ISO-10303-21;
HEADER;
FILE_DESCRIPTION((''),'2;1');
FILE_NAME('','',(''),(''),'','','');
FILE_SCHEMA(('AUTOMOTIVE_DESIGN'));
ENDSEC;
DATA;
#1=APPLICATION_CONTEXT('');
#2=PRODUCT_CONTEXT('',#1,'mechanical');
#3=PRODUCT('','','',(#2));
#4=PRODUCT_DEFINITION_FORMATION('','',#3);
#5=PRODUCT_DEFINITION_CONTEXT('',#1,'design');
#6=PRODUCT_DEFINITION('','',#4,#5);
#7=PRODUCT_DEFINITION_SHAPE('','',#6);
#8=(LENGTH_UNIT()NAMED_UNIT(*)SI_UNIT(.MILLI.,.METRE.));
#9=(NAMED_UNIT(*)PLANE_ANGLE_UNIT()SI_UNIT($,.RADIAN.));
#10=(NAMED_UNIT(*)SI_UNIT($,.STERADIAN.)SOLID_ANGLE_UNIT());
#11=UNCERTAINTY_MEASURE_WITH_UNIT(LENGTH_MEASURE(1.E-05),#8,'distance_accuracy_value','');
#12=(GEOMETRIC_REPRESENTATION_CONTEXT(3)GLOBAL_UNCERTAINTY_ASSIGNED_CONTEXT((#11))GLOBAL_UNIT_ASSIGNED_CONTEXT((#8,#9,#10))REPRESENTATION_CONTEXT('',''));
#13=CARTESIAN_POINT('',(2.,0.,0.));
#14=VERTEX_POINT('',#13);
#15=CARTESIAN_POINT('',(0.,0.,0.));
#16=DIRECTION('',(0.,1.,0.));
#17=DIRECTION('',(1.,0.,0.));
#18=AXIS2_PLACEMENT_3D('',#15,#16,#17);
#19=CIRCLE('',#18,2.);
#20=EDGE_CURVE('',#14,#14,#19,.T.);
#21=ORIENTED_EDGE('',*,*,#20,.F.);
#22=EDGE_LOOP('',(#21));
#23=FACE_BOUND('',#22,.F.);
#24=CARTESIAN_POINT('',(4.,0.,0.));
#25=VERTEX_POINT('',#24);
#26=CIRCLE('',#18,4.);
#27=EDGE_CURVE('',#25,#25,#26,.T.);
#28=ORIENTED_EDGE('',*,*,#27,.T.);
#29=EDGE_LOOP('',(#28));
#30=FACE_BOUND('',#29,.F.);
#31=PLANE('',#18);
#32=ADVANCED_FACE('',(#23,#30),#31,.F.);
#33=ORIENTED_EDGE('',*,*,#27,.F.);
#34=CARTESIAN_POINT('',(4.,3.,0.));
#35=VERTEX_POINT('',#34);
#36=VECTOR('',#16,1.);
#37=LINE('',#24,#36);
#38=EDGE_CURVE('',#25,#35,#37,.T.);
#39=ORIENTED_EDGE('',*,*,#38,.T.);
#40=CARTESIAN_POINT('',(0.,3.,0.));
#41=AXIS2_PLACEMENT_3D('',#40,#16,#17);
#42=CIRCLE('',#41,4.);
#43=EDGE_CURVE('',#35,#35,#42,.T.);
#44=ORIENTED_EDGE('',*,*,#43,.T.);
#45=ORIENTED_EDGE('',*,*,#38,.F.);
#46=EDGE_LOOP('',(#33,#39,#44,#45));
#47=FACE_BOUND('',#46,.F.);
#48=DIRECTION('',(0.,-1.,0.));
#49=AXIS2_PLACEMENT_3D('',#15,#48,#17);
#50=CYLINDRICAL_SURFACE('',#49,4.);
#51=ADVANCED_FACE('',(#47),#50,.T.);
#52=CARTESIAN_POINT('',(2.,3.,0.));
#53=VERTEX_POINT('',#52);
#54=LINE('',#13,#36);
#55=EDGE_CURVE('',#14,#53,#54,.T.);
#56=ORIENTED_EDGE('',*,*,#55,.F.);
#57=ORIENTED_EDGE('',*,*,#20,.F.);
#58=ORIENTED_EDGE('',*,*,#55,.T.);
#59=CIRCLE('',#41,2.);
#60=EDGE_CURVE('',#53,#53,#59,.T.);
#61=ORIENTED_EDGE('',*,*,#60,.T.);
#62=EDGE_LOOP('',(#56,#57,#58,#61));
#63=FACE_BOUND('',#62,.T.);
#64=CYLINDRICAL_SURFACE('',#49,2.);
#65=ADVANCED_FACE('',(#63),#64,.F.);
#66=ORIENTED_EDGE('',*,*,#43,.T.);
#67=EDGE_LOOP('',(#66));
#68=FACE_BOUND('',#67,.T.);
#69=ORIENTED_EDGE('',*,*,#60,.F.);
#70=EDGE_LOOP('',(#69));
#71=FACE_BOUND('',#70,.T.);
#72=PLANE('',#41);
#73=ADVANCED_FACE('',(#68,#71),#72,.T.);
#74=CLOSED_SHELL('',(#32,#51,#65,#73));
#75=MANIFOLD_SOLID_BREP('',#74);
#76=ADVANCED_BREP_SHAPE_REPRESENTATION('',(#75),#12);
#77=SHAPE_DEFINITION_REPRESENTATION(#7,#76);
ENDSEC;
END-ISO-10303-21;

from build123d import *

# Parameters (mm, degrees)
SKETCH_1_R      = 4
SKETCH_1_R_2    = 2
EXTRUDE_1_DEPTH = 3


with BuildPart() as part:
    # 草图1 → 凸台-拉伸1 (new body)
    with BuildSketch(Plane(origin=(0, 0, 0), x_dir=(1, 0, 0), z_dir=(0, 1, 0))):
        Circle(SKETCH_1_R)
        Circle(SKETCH_1_R_2, mode=Mode.SUBTRACT)
    extrude(amount=EXTRUDE_1_DEPTH)


solid = part.part
